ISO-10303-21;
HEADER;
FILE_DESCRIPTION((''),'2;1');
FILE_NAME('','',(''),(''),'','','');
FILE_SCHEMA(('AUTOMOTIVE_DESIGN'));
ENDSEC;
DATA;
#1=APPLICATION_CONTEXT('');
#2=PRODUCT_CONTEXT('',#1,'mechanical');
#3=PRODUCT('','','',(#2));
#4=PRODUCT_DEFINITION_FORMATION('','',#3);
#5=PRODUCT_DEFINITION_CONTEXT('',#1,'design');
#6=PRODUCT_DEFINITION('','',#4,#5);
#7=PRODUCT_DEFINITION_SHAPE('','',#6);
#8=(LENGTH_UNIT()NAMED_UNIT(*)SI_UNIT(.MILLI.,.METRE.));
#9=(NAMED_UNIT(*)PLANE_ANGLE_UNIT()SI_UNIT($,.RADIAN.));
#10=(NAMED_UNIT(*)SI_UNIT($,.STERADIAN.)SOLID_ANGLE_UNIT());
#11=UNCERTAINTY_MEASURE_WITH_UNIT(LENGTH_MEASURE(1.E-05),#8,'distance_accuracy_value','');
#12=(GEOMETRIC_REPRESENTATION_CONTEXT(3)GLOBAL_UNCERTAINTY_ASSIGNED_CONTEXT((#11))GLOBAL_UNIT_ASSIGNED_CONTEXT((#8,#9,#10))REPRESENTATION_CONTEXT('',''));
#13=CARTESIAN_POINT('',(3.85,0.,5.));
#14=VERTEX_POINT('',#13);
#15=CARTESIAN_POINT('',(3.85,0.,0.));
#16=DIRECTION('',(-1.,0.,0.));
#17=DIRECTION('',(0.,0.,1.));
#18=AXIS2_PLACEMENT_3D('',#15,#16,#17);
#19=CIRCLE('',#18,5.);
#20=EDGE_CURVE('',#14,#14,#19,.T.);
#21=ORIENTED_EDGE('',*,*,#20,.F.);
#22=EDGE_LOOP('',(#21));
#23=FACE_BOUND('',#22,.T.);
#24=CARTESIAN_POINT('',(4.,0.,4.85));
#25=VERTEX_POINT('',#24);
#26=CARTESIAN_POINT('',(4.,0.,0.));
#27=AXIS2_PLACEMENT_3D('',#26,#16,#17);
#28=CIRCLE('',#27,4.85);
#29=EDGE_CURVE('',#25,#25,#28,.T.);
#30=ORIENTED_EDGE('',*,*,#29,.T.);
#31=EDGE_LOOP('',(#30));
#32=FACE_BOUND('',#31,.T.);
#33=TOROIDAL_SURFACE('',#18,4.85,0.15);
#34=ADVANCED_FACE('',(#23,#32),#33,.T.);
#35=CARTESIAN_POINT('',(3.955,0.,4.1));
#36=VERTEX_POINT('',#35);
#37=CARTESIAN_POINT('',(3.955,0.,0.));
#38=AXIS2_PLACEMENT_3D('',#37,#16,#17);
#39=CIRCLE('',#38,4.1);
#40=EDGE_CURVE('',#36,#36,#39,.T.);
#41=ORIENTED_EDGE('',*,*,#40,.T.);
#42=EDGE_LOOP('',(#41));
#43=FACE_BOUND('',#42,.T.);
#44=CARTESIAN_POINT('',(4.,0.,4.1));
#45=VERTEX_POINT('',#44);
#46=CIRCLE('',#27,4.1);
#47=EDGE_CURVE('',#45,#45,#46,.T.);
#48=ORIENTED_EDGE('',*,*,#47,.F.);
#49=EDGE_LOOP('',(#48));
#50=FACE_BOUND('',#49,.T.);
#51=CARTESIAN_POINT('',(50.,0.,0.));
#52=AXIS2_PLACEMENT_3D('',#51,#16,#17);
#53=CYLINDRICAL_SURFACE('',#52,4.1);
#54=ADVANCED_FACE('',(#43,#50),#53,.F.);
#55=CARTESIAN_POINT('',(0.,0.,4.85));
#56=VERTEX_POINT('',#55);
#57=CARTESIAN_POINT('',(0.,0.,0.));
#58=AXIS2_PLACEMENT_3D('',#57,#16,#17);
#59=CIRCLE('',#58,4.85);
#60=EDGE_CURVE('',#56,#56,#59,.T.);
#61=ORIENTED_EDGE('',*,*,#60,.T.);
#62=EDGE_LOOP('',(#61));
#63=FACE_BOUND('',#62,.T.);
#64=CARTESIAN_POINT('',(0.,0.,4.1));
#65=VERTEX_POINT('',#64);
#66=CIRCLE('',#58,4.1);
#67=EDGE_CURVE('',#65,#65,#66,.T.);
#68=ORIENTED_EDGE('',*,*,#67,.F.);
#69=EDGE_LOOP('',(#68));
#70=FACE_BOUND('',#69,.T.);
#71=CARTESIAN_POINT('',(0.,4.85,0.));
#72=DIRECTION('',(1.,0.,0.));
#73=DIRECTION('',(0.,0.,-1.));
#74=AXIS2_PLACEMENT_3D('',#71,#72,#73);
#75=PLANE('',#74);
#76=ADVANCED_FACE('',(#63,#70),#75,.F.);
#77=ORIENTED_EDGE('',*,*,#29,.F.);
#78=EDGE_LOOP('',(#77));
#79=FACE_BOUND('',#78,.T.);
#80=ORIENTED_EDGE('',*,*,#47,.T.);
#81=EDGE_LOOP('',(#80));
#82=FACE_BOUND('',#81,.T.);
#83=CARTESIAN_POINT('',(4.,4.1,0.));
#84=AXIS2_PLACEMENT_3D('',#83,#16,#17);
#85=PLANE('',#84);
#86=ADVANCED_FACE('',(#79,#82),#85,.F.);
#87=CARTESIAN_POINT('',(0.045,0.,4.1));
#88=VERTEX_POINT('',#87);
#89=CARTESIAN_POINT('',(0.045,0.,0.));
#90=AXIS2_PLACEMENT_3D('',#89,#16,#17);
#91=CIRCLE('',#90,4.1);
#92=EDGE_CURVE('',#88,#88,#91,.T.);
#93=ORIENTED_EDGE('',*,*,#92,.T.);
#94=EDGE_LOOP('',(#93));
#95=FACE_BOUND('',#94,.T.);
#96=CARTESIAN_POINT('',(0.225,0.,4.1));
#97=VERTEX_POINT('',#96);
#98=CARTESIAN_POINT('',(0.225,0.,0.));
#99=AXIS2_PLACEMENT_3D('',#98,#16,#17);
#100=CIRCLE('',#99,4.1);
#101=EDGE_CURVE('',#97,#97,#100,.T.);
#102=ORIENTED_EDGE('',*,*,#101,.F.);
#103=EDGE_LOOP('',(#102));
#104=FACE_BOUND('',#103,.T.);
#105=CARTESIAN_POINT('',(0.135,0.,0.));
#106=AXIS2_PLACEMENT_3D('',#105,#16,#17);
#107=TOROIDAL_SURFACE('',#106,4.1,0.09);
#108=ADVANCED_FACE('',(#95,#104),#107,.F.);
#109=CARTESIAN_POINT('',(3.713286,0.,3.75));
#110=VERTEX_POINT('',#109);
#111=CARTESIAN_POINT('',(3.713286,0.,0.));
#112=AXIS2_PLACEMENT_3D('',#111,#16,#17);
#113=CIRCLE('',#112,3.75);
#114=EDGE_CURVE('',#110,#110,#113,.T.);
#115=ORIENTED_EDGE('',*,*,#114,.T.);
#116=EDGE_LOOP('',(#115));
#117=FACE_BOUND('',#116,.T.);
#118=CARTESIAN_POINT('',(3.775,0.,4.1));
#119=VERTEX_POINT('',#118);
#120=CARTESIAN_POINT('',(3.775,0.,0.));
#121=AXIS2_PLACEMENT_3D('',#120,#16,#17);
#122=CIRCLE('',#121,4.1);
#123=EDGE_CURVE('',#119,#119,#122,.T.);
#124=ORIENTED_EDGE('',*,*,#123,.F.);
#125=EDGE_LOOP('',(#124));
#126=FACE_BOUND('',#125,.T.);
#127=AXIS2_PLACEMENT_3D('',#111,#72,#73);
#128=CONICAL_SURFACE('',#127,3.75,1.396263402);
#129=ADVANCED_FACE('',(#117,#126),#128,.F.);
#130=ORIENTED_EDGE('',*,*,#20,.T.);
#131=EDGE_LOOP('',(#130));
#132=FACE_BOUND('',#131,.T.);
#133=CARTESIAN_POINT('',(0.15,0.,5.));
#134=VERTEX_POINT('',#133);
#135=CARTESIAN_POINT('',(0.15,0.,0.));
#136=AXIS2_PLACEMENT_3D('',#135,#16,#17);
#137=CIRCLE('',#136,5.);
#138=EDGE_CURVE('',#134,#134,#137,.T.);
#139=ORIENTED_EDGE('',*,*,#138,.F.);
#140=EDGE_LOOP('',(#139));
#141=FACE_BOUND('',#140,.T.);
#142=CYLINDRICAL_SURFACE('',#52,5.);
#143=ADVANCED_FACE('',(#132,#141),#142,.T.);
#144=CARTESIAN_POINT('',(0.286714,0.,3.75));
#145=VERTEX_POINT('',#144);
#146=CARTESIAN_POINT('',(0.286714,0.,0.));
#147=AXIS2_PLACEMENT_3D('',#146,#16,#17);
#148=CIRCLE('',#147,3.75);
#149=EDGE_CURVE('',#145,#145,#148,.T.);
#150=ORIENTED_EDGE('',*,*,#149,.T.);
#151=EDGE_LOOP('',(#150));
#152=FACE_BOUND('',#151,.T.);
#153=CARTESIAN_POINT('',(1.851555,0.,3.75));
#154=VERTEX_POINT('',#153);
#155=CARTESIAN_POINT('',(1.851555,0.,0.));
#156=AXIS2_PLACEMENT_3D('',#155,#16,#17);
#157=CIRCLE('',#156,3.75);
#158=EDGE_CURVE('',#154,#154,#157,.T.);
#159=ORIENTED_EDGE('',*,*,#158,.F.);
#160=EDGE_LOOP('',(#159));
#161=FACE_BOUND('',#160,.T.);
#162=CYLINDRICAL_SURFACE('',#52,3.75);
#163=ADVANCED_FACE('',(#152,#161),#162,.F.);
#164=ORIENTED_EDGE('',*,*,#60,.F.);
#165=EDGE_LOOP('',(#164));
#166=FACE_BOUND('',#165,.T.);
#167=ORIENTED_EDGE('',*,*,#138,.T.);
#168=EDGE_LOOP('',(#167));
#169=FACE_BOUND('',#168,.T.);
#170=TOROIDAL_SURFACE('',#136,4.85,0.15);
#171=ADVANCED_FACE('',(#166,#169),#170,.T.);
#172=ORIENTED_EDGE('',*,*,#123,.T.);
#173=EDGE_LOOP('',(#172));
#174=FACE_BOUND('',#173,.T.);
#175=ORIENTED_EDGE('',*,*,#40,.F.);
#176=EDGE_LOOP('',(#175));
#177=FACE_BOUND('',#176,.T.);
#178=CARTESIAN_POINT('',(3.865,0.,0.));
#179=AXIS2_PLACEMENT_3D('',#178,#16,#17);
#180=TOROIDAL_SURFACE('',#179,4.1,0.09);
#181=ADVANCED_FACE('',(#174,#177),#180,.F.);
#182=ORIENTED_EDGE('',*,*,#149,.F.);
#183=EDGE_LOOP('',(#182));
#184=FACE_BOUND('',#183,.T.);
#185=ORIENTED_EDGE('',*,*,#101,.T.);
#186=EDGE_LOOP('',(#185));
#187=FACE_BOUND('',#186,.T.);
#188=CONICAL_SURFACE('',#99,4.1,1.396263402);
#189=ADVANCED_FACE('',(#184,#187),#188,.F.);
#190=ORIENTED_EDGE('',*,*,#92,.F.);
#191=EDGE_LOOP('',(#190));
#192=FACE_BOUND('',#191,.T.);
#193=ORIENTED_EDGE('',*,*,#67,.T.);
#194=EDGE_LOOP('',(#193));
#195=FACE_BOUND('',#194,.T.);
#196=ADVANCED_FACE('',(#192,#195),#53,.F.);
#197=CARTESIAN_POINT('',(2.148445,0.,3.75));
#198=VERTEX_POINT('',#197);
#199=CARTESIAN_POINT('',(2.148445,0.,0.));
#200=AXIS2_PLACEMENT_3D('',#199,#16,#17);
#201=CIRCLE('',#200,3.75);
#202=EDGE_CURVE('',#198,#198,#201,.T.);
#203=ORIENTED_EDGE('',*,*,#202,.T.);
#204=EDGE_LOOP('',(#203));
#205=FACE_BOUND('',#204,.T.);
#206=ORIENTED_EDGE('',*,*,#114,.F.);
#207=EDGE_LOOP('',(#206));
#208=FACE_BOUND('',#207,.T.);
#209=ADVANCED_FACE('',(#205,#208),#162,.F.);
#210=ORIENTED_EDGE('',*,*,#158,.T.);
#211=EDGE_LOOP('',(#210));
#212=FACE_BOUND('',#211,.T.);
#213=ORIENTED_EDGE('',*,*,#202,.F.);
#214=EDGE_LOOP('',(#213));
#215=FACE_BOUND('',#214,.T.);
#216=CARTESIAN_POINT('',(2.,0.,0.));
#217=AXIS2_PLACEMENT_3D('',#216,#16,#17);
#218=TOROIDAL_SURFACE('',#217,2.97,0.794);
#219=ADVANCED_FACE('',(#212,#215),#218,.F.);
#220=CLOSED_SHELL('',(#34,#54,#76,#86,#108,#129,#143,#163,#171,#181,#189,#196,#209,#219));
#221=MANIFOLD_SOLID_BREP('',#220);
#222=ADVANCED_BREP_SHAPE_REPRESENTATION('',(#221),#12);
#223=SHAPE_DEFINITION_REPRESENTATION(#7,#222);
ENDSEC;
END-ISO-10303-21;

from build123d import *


with BuildPart() as part:
    # Sketch1 → Revolve1 (revolve)
    with BuildSketch(Plane.XY, mode=Mode.PRIVATE) as revolve1_sk:
        with BuildLine():
            Line((0, 4.1), (0.045, 4.1))
            ThreePointArc((0.045, 4.1), (0.135, 4.19), (0.225, 4.1))
            Line((0.225, 4.1), (0.286714443, 3.75))
            Line((0.286714443, 3.75), (1.851554724, 3.75))
            ThreePointArc((1.851554724, 3.75), (2, 3.764), (2.148445276, 3.75))
            Line((2.148445276, 3.75), (3.713285557, 3.75))
            Line((3.713285557, 3.75), (3.775, 4.1))
            ThreePointArc((3.775, 4.1), (3.865, 4.190000005), (3.955, 4.1))
            Line((3.955, 4.1), (4, 4.1))
            Line((4, 4.1), (4, 4.85))
            ThreePointArc((4, 4.85), (3.956066017, 4.956066017), (3.85, 5))
            Line((3.85, 5), (0.15, 5))
            ThreePointArc((0.15, 5), (0.043933983, 4.956066017), (0, 4.85))
            Line((0, 4.85), (0, 4.1))
        make_face()
    revolve(revolve1_sk.sketch.rotate(Axis((50, 0, 0), (-1, 0, 0)), 270), axis=Axis((50, 0, 0), (-1, 0, 0)))


solid = part.part
